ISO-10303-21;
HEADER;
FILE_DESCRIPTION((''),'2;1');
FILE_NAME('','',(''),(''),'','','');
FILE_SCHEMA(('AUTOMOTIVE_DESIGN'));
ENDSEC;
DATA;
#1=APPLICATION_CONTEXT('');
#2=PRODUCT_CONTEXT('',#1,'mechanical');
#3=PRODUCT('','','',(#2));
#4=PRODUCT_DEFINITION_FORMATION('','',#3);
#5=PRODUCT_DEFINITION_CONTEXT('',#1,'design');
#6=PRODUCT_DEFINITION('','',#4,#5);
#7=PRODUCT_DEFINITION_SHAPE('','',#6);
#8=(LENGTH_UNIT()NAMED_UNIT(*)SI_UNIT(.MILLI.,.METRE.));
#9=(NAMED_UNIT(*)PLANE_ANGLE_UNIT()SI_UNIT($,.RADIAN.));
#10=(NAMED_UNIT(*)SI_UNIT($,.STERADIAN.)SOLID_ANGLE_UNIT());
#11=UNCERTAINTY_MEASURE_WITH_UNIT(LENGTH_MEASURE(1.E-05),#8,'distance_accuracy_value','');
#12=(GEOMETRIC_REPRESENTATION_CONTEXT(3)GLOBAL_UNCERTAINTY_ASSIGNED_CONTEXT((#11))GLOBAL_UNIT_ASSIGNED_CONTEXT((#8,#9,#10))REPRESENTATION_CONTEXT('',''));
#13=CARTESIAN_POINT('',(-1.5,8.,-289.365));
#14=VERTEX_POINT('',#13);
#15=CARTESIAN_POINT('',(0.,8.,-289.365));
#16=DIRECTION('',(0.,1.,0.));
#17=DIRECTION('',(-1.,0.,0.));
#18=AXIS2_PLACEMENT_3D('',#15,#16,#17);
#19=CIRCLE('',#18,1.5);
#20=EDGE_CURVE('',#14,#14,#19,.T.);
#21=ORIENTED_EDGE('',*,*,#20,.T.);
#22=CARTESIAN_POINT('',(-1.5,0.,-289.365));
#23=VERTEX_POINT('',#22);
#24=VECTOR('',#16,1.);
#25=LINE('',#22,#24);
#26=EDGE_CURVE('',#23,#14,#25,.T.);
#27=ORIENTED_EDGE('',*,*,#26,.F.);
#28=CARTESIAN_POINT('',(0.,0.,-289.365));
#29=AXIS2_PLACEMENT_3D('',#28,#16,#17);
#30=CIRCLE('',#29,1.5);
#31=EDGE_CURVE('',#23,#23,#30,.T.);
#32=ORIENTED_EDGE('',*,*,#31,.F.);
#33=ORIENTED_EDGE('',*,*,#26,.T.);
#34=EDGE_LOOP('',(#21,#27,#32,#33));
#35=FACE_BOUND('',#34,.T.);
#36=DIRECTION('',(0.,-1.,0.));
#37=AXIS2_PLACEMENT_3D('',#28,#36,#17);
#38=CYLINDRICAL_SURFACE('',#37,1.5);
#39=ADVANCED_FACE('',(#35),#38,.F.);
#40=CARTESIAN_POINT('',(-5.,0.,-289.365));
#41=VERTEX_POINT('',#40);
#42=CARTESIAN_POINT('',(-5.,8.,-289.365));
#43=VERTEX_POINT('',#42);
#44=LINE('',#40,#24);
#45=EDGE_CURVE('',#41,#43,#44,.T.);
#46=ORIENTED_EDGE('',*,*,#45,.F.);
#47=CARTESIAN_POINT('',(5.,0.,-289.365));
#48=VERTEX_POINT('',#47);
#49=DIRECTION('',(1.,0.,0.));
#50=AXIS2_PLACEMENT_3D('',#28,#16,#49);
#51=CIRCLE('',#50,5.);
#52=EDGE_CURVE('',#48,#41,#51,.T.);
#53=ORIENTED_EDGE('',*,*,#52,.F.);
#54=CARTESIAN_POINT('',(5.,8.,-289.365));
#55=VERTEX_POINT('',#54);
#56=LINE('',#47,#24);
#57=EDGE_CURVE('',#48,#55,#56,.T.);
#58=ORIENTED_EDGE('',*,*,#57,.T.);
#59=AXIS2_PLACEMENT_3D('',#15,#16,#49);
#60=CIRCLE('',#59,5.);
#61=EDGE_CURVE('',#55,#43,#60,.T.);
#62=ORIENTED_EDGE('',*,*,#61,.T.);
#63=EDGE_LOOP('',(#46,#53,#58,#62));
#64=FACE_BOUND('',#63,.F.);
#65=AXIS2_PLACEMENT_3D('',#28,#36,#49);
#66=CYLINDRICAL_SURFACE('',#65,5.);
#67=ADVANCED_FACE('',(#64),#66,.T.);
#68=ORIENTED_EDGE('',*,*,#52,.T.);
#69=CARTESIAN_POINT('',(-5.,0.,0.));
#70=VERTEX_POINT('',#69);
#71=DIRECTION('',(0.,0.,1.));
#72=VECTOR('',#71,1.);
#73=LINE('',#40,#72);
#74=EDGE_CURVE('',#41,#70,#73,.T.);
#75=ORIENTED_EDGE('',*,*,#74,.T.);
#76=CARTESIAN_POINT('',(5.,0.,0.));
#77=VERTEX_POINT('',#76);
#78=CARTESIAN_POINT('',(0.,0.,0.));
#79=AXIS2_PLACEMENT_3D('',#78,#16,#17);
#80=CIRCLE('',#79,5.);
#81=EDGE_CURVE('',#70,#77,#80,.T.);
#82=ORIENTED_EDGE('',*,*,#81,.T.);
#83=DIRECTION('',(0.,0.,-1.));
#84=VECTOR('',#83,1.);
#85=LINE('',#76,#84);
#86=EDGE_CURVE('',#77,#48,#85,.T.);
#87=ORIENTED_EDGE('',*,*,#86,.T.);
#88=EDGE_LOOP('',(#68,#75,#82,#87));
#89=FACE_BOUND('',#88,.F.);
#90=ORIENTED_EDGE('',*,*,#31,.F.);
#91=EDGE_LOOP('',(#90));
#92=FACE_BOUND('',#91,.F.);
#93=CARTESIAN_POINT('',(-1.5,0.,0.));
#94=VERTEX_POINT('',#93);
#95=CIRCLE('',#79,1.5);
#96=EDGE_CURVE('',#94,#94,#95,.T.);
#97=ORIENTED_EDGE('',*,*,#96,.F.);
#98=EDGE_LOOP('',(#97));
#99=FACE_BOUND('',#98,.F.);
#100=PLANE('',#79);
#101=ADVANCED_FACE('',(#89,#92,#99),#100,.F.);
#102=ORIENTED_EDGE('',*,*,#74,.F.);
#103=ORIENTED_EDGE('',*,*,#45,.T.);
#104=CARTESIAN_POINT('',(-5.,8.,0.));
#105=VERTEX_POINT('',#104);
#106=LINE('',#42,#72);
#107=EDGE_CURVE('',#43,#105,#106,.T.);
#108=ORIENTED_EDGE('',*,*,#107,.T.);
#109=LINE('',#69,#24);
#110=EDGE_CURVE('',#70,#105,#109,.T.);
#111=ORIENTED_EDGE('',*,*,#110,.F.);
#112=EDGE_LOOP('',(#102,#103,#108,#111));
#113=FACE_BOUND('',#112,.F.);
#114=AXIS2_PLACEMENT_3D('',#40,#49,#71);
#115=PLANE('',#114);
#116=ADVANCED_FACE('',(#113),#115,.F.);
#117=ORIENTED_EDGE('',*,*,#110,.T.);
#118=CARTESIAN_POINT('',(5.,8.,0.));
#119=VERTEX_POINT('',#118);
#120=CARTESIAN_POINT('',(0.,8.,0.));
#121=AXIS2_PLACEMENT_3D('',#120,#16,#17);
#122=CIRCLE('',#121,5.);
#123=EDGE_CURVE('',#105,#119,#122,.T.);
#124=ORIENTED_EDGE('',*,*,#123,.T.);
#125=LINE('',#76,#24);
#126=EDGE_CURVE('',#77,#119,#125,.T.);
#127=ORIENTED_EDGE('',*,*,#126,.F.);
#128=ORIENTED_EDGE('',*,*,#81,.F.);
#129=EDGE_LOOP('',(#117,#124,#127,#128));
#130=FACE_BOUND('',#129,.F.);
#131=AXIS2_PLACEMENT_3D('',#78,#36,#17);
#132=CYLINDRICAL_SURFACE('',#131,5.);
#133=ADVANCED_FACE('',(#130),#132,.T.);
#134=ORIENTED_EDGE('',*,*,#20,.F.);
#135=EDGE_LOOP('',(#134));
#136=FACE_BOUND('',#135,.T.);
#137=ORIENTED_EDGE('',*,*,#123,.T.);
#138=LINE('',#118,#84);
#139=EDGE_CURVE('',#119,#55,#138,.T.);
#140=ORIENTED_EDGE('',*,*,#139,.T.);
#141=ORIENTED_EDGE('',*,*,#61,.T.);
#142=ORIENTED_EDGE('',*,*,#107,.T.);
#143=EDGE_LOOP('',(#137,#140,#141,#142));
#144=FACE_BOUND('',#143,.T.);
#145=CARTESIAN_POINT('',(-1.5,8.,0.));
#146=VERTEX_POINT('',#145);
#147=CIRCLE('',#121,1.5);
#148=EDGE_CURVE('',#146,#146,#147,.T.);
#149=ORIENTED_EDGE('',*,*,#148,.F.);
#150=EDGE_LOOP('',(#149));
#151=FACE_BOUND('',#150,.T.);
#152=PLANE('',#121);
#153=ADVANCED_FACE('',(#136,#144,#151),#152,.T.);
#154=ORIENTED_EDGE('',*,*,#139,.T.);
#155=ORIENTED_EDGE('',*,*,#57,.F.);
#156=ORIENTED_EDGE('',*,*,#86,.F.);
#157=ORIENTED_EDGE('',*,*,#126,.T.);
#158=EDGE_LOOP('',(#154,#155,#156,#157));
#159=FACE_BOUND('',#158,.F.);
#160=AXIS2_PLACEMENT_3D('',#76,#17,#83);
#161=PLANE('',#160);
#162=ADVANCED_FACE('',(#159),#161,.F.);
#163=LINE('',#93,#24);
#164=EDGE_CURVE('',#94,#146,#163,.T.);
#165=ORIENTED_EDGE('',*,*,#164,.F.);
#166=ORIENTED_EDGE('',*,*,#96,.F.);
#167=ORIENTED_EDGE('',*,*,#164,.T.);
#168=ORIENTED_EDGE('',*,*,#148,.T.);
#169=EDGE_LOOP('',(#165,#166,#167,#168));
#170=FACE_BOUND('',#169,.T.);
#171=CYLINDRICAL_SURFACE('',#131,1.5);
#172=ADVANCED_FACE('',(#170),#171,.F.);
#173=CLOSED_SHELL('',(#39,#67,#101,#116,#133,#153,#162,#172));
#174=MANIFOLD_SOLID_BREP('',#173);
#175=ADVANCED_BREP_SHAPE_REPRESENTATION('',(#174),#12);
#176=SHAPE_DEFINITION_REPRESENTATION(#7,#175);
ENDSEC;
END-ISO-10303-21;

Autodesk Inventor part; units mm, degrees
ref_plane "YZ Plane" through (0, 0, 0) normal (1, 0, 0) x (0, 1, 0)
ref_plane "XZ Plane" through (0, 0, 0) normal (0, 1, 0) x (-1, 0, 0)
ref_plane "XY Plane" through (0, 0, 0) normal (0, 0, 1) x (1, 0, 0)
sketch "Sketch1" plane through (0, 0, 0) normal (0, 1, 0) x (-1, 0, 0)
  line L0 (0, 0) -> (0, -289.365) construction
  line L1 (-5, 0) -> (-5, -289.365)
  line L2 (5, -289.365) -> (5, 0)
  arc A0 (5, 0) -> (-5, 0) centre (0, 0) ccw
  arc A1 (-5, -289.365) -> (5, -289.365) centre (0, -289.365) ccw
  circle A2 centre (0, 0) radius 1.5
  circle A3 centre (0, -289.365) radius 1.5
  point P0 (0, -144.6825)
  dimension "d0" = 289.365
  dimension "d1" = 10
  dimension "d2" = 3
  dimension "d3" = 3
extrude "Extrusion1" add sketch "Sketch1" along normal blind 8
